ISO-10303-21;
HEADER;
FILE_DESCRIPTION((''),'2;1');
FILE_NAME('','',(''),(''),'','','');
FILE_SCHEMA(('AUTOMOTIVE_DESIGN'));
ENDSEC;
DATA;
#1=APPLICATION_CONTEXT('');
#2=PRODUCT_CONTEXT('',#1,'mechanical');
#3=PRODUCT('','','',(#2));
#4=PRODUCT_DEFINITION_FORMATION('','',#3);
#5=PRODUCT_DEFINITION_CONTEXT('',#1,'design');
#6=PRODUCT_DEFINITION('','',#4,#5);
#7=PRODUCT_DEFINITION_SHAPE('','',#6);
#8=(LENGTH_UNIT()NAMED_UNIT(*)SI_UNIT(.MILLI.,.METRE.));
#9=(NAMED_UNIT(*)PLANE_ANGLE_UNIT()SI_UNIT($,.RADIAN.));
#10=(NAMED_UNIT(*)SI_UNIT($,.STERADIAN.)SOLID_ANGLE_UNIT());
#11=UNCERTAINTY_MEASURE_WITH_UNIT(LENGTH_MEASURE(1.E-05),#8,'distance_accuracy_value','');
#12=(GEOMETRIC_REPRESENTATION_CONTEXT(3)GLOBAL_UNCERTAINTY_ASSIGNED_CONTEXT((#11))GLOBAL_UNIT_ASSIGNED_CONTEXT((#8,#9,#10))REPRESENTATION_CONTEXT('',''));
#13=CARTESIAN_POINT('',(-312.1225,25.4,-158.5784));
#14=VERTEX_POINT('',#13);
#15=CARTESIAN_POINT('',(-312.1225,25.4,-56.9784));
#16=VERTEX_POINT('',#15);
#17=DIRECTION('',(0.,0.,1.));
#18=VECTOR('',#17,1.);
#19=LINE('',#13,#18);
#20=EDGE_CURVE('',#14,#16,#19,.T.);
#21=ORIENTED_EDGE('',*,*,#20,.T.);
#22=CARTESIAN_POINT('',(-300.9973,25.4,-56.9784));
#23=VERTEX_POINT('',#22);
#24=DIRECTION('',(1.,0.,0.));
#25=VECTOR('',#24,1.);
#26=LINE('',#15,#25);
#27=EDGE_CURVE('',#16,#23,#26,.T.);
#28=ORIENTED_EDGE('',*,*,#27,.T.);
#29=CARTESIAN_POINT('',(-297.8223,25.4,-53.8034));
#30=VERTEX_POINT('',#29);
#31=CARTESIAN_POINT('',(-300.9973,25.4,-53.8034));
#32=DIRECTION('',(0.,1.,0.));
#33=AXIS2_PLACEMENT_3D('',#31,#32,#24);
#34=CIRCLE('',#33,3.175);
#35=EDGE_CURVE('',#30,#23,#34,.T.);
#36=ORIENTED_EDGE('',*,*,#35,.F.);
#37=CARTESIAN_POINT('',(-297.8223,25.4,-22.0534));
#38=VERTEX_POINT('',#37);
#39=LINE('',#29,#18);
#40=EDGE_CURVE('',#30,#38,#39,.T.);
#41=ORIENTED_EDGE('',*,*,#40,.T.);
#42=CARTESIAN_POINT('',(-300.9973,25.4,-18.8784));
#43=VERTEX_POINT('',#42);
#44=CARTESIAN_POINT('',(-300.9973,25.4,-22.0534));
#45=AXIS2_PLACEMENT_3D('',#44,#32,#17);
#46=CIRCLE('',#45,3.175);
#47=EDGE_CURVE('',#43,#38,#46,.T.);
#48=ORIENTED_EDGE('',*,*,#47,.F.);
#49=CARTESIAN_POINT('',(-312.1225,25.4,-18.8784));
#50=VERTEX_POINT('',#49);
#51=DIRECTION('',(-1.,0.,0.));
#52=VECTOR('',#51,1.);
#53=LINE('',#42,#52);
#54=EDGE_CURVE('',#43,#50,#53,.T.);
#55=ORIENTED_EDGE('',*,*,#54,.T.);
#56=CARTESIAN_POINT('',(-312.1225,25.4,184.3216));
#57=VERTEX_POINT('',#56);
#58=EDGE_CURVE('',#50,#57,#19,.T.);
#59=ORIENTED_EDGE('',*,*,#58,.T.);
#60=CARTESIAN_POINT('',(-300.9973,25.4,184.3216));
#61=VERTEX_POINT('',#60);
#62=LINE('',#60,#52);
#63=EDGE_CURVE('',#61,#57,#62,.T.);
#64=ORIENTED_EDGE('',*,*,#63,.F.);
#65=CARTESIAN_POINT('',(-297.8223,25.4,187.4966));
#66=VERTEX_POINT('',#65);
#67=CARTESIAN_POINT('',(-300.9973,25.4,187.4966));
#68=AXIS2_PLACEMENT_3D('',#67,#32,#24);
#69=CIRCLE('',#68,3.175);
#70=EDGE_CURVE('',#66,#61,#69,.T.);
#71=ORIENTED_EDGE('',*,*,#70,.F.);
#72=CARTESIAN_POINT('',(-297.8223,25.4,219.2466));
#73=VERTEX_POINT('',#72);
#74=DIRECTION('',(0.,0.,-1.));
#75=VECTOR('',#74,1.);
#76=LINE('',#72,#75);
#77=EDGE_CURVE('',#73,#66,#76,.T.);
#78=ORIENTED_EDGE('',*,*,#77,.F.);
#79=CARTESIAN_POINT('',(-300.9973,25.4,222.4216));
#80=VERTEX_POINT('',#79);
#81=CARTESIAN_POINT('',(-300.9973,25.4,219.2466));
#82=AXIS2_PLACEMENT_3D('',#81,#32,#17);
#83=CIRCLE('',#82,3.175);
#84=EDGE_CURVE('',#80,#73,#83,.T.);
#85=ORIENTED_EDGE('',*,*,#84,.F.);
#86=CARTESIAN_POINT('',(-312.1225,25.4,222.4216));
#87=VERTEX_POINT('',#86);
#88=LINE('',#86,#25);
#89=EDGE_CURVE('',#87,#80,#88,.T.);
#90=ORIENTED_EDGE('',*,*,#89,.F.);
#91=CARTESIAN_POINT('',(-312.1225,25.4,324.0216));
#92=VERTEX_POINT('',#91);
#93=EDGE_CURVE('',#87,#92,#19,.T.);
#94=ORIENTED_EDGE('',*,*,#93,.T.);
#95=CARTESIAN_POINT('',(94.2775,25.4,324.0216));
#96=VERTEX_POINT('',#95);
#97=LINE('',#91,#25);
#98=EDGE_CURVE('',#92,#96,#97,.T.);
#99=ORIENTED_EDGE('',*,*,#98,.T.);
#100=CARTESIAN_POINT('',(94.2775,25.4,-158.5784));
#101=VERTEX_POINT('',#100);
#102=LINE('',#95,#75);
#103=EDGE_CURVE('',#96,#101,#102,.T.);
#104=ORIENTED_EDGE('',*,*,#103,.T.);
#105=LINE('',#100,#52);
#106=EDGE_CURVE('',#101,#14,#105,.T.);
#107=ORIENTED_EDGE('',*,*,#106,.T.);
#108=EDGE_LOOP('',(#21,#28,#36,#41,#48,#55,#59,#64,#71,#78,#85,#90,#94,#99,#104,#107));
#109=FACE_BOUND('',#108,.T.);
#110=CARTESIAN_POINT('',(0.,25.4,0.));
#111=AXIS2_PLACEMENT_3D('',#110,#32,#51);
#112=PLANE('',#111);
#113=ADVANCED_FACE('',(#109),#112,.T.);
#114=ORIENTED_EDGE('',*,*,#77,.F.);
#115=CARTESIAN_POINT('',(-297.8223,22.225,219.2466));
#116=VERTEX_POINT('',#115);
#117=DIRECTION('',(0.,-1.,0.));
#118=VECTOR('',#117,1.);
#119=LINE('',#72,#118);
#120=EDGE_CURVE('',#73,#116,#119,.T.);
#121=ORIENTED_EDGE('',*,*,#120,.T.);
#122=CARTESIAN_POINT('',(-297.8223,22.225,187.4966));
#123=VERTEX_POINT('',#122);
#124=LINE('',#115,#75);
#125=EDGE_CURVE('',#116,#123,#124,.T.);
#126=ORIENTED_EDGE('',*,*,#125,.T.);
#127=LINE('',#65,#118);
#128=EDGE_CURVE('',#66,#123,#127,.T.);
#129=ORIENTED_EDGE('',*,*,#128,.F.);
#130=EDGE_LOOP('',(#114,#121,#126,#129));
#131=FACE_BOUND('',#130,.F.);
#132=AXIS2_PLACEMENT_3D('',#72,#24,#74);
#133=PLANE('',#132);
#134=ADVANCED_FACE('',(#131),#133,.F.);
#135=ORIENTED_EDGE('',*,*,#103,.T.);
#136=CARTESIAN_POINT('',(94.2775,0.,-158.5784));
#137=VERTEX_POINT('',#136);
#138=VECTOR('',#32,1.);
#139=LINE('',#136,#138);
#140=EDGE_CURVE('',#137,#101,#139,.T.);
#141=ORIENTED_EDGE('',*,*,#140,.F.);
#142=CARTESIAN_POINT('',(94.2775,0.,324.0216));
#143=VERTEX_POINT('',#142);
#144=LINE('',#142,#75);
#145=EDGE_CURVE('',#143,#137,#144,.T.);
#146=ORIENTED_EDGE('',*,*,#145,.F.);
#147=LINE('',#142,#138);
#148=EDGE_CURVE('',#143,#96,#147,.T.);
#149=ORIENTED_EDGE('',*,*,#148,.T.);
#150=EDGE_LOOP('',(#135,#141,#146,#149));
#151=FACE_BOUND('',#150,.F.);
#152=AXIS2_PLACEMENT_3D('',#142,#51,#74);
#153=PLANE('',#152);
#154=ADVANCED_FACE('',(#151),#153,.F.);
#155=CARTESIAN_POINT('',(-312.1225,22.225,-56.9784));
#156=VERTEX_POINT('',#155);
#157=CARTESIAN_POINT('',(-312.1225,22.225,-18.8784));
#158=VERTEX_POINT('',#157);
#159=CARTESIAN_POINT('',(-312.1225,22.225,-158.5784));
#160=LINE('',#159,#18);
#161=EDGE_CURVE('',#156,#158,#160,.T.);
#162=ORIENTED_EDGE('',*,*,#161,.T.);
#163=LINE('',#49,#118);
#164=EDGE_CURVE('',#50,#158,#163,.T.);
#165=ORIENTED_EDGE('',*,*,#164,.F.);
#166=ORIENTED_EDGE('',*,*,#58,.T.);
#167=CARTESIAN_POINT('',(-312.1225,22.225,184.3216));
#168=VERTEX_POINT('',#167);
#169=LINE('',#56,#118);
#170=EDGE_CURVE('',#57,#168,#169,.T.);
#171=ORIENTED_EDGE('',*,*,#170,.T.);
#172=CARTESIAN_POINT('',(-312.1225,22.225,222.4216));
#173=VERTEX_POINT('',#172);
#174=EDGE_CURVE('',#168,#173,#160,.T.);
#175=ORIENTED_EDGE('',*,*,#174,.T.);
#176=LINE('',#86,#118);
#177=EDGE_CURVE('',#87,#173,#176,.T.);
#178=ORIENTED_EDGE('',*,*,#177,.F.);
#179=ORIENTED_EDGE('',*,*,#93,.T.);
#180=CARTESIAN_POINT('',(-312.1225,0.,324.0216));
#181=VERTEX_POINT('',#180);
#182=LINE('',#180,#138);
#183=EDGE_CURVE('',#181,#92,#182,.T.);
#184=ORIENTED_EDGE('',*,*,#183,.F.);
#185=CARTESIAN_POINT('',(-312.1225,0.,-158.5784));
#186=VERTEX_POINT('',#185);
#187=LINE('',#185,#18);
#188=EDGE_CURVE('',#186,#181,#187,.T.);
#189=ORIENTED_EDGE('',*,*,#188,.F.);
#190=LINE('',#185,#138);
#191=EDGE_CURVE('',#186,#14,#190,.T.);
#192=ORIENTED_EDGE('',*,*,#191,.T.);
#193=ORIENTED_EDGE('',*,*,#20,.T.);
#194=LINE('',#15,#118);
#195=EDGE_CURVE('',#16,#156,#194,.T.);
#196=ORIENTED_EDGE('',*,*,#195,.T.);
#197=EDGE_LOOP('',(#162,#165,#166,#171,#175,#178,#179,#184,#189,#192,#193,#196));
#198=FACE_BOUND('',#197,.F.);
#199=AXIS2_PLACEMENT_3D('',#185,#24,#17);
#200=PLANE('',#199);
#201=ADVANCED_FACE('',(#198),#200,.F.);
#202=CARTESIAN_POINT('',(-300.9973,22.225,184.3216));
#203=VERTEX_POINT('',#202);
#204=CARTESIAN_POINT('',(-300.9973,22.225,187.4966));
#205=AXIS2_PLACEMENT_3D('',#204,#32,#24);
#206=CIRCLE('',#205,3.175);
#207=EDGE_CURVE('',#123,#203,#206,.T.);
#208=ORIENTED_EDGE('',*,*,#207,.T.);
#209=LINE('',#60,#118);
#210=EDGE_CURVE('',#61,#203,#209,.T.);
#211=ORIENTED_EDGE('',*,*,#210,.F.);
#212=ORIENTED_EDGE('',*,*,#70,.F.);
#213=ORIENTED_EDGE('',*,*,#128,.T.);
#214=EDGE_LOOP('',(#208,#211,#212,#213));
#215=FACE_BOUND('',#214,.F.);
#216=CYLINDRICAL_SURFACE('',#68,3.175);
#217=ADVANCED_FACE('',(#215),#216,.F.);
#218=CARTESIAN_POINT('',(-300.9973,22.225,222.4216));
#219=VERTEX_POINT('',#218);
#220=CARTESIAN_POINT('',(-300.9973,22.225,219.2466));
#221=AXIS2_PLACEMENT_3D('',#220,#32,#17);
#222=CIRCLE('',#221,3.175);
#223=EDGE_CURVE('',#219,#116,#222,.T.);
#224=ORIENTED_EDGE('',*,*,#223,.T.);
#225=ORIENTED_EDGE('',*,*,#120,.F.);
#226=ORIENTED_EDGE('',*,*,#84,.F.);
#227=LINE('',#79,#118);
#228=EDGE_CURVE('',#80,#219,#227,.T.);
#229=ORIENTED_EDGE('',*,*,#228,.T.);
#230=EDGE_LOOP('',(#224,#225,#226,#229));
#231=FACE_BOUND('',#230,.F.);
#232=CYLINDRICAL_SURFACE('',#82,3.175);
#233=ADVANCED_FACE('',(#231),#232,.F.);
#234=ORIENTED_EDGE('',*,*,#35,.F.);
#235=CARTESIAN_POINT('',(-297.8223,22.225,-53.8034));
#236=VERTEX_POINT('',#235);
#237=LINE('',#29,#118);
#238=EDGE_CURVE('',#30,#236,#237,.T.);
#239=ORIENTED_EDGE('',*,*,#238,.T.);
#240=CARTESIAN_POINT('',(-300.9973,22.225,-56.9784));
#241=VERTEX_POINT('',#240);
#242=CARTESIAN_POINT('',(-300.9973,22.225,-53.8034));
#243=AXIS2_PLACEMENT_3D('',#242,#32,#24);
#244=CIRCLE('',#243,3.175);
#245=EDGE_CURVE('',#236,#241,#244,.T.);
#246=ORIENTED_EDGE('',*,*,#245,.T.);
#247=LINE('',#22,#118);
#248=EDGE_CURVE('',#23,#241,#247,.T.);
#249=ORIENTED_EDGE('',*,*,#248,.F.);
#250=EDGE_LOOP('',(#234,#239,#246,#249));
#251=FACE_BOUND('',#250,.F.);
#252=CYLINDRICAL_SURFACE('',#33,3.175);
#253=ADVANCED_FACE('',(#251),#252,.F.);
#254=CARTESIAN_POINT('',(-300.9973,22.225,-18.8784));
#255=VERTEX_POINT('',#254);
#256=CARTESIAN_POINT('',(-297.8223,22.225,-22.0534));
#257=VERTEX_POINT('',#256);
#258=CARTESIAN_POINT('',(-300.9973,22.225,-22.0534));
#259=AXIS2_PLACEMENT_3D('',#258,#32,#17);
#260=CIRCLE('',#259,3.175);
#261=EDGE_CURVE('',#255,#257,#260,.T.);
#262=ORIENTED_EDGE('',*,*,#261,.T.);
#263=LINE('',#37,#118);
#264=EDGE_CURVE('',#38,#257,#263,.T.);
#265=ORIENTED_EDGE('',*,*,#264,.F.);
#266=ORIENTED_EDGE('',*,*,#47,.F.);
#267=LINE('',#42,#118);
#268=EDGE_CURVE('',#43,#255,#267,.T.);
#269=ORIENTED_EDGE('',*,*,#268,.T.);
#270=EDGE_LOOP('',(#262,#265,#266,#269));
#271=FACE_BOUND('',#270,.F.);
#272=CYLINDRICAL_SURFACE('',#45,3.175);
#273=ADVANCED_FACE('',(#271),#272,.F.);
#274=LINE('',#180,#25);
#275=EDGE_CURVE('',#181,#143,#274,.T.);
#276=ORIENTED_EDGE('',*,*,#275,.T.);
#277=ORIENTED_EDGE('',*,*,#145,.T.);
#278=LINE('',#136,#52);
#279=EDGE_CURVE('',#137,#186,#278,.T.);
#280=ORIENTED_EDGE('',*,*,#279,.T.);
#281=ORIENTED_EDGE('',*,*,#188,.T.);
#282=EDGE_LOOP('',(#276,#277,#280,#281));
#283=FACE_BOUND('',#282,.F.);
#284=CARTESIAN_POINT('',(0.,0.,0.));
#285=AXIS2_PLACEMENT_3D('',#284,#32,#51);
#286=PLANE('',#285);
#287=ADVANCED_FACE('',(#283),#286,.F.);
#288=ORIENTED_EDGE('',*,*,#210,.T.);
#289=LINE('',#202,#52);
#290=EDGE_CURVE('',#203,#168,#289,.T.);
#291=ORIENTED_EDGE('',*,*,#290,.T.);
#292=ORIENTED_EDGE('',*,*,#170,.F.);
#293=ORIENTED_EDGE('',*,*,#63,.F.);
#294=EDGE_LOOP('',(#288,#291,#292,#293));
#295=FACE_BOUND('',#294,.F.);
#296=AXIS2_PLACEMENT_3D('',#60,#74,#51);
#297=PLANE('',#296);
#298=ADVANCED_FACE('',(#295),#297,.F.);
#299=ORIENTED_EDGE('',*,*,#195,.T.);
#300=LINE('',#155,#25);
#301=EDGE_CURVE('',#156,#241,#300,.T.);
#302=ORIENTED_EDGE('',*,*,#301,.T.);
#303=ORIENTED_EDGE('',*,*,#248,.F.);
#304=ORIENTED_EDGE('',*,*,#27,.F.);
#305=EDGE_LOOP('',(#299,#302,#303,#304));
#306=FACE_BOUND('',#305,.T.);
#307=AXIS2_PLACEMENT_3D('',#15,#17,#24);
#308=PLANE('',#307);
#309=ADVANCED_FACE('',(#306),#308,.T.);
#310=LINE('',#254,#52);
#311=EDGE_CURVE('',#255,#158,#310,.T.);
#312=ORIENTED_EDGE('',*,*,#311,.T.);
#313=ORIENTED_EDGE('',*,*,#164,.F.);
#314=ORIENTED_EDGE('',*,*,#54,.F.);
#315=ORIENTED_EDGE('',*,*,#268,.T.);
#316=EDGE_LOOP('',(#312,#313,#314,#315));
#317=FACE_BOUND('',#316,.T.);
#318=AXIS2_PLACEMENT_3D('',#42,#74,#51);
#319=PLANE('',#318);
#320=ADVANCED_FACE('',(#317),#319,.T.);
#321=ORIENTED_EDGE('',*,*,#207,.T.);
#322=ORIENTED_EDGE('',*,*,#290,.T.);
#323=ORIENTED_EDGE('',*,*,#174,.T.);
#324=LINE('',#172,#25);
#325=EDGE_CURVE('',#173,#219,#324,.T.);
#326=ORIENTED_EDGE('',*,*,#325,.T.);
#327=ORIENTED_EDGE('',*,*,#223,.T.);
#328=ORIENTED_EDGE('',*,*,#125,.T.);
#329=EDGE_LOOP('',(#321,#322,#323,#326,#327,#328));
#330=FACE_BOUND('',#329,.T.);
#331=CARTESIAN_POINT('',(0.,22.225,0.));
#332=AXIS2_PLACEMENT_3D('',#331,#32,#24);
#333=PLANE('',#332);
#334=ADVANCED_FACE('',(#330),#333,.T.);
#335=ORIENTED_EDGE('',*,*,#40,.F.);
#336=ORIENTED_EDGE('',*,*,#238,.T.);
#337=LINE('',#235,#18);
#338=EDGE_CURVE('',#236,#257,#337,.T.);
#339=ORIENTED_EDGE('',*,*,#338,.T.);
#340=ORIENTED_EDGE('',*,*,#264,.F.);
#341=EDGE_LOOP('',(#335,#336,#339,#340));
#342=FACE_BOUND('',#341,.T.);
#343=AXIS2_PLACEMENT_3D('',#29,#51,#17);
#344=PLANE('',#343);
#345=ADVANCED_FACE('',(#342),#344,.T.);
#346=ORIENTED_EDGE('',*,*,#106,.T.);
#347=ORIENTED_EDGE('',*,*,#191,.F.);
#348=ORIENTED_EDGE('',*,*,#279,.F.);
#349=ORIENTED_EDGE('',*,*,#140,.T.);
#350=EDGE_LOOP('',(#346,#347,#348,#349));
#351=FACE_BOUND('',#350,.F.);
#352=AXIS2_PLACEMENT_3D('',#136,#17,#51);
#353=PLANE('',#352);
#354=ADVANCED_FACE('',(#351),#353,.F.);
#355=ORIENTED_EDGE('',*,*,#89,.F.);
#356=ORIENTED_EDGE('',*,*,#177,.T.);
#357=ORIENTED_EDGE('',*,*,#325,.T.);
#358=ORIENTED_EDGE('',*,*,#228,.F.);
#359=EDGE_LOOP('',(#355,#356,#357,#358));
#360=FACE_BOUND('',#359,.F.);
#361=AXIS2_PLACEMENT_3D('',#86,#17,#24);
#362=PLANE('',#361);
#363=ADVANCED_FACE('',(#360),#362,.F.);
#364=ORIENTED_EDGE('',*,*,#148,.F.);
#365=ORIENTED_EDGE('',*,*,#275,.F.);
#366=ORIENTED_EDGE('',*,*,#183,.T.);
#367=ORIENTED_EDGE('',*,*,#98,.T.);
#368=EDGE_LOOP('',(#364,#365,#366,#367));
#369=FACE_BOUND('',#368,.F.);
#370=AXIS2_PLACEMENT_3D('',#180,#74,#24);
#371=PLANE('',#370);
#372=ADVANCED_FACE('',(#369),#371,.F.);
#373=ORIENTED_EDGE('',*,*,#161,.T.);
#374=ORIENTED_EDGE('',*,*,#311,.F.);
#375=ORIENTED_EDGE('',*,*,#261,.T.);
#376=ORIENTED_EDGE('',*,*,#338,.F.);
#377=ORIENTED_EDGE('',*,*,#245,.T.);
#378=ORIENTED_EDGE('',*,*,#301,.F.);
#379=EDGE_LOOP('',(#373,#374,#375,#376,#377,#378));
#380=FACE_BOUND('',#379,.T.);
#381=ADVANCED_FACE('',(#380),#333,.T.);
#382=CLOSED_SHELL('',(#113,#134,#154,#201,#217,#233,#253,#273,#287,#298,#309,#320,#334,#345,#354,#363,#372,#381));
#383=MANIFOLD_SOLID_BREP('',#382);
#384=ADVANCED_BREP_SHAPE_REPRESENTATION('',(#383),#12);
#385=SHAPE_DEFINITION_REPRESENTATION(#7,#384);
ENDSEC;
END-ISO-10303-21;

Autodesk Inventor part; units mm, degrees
ref_plane "YZ Plane" through (0, 0, 0) normal (1, 0, 0) x (0, 1, 0)
ref_plane "XZ Plane" through (0, 0, 0) normal (0, 1, 0) x (-1, 0, 0)
ref_plane "XY Plane" through (0, 0, 0) normal (0, 0, 1) x (1, 0, 0)
sketch "Sketch1" plane through (0, 0, 0) normal (0, 1, 0) x (-1, 0, 0)
  line L0 (312.1225, 324.0216) -> (-94.2775, 324.0216)
  line L1 (-94.2775, 324.0216) -> (-94.2775, -158.5784)
  line L2 (-94.2775, -158.5784) -> (312.1225, -158.5784)
  line L3 (312.1225, -158.5784) -> (312.1225, 324.0216)
  point P0 (0, 0)
  dimension "d0" = 406.4
  dimension "d1" = 482.6
extrude "Board" add sketch "Sketch1" along normal blind 25.4
sketch "Hinge Cuts" plane through (0, 25.4, 0) normal (0, 1, 0) x (1, 0, 0)
  line L0 (-312.1225, 158.5784) -> (-312.1225, -324.0216) projected
  line L1 (-312.1225, 56.9784) -> (-300.9973, 56.9784)
  line L2 (-297.8223, 53.8034) -> (-297.8223, 22.0534)
  line L3 (-300.9973, 18.8784) -> (-312.1225, 18.8784)
  line L4 (-312.1225, 18.8784) -> (-312.1225, 56.9784)
  line L5 (94.2775, 158.5784) -> (-312.1225, 158.5784) projected
  line L6 (-312.1225, -222.4216) -> (-300.9973, -222.4216)
  line L7 (-297.8223, -219.2466) -> (-297.8223, -187.4966)
  line L8 (-300.9973, -184.3216) -> (-312.1225, -184.3216)
  line L9 (-312.1225, -184.3216) -> (-312.1225, -222.4216)
  arc A0 (-297.8223, -187.4966) -> (-300.9973, -184.3216) centre (-300.9973, -187.4966) ccw
  arc A1 (-300.9973, -222.4216) -> (-297.8223, -219.2466) centre (-300.9973, -219.2466) ccw
  arc A2 (-300.9973, 18.8784) -> (-297.8223, 22.0534) centre (-300.9973, 22.0534) ccw
  arc A3 (-297.8223, 53.8034) -> (-300.9973, 56.9784) centre (-300.9973, 53.8034) ccw
  point P0 (0, 0)
  point P1 (-297.8223, 18.8784)
  point P2 (-297.8223, 56.9784)
  point P3 (-297.8223, -184.3216)
  point P4 (-297.8223, -222.4216)
  dimension "d4" = 38.1
  dimension "d5" = 14.3002
  dimension "d6" = 101.6
  dimension "d7" = 38.1
  dimension "d8" = 14.3002
  dimension "d9" = 203.2
  dimension "d10" = 3.175
extrude "Extrusion2" cut sketch "Hinge Cuts" against normal blind 3.175
equation "\"d6\" = 0.25 * d1 - 0.5 * d4"
equation "\"d7\" = d4"
equation "\"d8\" = d5"
equation "\"d9\" = 2 * d6"
properties part number "Extension Shelves" material "Wood (Oak)"
